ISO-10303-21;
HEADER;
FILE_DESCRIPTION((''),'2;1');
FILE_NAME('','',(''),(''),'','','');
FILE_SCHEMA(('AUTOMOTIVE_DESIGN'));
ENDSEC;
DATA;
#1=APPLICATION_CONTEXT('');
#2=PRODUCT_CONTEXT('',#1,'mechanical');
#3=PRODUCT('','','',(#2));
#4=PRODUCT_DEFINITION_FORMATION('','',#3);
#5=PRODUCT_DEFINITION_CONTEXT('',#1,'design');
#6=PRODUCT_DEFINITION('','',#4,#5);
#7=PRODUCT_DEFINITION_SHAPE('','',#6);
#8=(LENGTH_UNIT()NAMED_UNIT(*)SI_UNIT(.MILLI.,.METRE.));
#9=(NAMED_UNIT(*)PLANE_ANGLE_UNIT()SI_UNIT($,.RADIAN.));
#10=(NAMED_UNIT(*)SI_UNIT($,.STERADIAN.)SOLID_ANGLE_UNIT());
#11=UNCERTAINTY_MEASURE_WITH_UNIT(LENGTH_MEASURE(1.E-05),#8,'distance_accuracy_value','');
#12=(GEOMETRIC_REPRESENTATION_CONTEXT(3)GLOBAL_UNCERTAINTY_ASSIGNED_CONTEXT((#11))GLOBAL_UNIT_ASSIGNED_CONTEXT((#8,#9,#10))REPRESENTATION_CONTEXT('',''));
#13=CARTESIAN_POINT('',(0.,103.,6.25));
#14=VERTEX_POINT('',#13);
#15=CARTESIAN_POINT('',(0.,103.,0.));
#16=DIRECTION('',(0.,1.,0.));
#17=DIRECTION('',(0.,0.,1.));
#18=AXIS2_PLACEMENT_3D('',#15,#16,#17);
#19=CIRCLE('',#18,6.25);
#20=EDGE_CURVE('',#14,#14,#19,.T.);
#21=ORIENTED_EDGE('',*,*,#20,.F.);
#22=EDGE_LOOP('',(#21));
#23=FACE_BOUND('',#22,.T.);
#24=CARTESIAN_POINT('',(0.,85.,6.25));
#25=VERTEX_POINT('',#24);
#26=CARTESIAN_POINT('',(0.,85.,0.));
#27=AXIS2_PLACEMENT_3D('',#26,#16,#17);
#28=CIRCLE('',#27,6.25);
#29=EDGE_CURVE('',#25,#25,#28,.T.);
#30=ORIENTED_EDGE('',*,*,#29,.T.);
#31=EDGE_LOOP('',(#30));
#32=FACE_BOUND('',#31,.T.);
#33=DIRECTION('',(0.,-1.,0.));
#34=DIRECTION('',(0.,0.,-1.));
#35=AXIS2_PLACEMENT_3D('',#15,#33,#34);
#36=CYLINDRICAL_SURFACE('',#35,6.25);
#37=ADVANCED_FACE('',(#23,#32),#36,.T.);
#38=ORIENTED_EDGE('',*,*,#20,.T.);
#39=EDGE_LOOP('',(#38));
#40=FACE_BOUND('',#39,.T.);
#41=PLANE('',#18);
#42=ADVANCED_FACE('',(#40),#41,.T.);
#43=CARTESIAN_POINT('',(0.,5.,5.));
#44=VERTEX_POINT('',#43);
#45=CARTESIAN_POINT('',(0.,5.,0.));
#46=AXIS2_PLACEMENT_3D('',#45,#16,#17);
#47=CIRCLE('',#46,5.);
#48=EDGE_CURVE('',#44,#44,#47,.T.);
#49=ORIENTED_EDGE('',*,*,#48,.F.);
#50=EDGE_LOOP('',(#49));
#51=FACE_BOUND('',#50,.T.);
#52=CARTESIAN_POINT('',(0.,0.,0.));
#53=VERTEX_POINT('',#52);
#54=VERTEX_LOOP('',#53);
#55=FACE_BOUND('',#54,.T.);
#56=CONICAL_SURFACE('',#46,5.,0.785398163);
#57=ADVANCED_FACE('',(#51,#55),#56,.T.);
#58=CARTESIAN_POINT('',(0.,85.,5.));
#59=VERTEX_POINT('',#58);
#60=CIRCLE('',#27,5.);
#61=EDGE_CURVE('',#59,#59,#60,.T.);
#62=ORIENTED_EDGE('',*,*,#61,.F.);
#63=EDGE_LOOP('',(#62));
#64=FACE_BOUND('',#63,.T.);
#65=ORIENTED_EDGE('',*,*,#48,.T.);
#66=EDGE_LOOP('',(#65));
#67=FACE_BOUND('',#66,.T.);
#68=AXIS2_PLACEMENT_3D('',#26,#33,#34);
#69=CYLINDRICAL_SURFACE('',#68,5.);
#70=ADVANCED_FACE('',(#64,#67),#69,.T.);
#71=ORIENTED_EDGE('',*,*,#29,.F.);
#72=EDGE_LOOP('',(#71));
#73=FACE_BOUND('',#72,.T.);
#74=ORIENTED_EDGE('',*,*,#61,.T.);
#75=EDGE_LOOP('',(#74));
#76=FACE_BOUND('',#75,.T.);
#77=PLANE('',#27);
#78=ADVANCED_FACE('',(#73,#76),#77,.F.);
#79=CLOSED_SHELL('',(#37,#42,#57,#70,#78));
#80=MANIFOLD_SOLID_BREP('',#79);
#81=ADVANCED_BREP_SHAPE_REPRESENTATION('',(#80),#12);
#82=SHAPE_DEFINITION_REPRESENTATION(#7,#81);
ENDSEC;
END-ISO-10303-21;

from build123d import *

# Parameters (mm, degrees)
SKETCH1_R           = 5
BOSS_EXTRUDE1_DEPTH = 85
CHAMFER1_SIZE       = 5
SKETCH2_R           = 6.25
BOSS_EXTRUDE2_DEPTH = 18


with BuildPart() as part:
    # Sketch1 → Boss-Extrude1 (new body)
    with BuildSketch(Plane(origin=(0, 0, 0), x_dir=(1, 0, 0), z_dir=(0, 1, 0))):
        Circle(SKETCH1_R)
    extrude(amount=BOSS_EXTRUDE1_DEPTH)

    # Chamfer1
    chamfer1_edges = [part.edges().sort_by_distance(p)[0] for p in [
        (-5, 0, 0),
    ]]
    chamfer(chamfer1_edges, length=CHAMFER1_SIZE)

    # Sketch2 → Boss-Extrude2 (add)
    with BuildSketch(Plane(origin=(0, 85, 0), x_dir=(1, 0, 0), z_dir=(0, 1, 0))):
        Circle(SKETCH2_R)
    extrude(amount=BOSS_EXTRUDE2_DEPTH)


solid = part.part
